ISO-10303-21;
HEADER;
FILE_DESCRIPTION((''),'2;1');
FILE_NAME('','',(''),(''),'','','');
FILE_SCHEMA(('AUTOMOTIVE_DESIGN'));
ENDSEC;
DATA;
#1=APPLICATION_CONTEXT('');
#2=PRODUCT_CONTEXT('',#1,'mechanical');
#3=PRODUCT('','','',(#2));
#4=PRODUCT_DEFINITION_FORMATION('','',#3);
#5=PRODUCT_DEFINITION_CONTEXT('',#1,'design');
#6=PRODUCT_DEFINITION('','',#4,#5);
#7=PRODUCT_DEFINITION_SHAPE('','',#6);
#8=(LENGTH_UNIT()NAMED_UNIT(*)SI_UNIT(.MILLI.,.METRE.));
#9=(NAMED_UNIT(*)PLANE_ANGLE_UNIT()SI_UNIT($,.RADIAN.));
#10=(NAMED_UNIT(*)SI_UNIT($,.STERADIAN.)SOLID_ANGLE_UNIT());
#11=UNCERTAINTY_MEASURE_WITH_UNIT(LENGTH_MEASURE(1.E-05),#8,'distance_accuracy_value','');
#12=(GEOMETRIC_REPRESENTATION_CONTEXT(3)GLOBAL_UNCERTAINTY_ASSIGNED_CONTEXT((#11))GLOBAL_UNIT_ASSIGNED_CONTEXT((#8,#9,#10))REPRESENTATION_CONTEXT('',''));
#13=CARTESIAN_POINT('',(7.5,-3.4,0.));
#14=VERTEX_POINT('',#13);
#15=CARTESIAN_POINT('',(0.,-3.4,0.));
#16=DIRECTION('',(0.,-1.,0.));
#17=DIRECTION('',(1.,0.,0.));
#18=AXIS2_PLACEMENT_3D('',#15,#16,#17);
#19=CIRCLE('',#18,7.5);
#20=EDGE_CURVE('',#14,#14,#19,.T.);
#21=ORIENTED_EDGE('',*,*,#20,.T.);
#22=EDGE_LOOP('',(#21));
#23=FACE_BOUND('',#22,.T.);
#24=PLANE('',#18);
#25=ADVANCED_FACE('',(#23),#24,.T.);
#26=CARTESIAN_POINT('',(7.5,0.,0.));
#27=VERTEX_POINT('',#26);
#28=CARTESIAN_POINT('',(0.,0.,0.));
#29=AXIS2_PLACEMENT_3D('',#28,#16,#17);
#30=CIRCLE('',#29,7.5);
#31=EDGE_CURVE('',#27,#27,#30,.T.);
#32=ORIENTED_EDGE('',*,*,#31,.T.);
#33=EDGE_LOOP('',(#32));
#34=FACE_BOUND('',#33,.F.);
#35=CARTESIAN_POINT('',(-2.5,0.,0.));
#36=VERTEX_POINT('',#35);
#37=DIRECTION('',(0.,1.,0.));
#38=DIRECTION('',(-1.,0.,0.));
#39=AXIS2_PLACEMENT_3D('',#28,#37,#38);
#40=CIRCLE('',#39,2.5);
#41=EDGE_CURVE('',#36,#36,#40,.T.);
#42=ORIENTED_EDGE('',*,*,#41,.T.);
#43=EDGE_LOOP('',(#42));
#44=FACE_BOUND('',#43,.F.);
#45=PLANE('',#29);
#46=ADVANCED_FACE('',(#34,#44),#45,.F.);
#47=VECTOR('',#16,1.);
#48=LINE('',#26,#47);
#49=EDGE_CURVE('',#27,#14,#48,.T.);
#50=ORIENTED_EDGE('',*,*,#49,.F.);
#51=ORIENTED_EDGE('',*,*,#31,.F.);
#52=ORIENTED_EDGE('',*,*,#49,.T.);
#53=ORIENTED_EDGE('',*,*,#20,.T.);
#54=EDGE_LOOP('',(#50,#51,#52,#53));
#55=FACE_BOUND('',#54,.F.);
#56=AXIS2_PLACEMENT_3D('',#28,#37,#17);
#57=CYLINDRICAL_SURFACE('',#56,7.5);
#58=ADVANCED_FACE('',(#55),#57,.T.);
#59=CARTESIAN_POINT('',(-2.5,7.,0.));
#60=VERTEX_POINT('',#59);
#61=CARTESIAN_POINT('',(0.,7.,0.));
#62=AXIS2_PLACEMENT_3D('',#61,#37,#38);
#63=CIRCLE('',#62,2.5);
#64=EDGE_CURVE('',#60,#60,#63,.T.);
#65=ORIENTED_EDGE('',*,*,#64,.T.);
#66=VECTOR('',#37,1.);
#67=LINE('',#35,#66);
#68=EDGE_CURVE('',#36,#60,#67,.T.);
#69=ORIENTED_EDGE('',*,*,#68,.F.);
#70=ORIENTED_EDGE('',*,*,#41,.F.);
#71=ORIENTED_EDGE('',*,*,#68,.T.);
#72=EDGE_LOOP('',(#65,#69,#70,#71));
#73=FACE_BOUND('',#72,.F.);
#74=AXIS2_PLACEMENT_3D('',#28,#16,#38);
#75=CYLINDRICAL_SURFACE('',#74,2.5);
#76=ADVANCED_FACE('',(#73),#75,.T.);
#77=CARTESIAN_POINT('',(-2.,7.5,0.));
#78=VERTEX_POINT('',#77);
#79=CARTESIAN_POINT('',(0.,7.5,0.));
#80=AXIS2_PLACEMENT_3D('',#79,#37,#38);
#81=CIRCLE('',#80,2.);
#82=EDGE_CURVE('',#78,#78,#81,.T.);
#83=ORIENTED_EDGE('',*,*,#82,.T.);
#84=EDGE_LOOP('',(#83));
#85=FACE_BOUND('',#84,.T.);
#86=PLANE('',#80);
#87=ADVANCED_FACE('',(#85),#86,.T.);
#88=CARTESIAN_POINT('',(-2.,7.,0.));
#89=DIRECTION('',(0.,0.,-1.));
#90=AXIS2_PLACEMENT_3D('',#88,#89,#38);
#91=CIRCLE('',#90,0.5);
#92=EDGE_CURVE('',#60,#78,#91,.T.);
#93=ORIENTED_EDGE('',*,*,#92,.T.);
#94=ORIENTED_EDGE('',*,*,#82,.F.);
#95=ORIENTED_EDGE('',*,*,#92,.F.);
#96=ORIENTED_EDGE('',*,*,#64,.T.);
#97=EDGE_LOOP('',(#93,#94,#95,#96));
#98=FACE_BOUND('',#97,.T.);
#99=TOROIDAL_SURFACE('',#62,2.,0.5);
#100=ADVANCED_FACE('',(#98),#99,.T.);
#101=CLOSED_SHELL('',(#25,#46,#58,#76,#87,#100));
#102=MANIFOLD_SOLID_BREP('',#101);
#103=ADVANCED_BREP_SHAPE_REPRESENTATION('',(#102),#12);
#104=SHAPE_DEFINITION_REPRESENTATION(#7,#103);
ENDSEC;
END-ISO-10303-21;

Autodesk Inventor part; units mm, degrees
ref_plane "YZ Plane" through (0, 0, 0) normal (1, 0, 0) x (0, 1, 0)
ref_plane "XZ Plane" through (0, 0, 0) normal (0, 1, 0) x (-1, 0, 0)
ref_plane "XY Plane" through (0, 0, 0) normal (0, 0, 1) x (1, 0, 0)
sketch "스케치1" plane through (0, 0, 0) normal (0, 1, 0) x (-1, 0, 0)
  circle A0 centre (0, 0) radius 2.5
  dimension "d0" = 5
extrude "돌출1" add sketch "스케치1" along normal blind 7.5
sketch "스케치2" plane through (0, 0, 0) normal (0, -1, 0) x (1, 0, 0)
  circle A0 centre (0, 0) radius 7.5
  dimension "d3" = 15
extrude "돌출2" add sketch "스케치2" along normal blind 3.4
fillet "모깎기1" radius 0.5 1 edges at (2.5, 7.5, 0)
properties part number "fixedPillar"
